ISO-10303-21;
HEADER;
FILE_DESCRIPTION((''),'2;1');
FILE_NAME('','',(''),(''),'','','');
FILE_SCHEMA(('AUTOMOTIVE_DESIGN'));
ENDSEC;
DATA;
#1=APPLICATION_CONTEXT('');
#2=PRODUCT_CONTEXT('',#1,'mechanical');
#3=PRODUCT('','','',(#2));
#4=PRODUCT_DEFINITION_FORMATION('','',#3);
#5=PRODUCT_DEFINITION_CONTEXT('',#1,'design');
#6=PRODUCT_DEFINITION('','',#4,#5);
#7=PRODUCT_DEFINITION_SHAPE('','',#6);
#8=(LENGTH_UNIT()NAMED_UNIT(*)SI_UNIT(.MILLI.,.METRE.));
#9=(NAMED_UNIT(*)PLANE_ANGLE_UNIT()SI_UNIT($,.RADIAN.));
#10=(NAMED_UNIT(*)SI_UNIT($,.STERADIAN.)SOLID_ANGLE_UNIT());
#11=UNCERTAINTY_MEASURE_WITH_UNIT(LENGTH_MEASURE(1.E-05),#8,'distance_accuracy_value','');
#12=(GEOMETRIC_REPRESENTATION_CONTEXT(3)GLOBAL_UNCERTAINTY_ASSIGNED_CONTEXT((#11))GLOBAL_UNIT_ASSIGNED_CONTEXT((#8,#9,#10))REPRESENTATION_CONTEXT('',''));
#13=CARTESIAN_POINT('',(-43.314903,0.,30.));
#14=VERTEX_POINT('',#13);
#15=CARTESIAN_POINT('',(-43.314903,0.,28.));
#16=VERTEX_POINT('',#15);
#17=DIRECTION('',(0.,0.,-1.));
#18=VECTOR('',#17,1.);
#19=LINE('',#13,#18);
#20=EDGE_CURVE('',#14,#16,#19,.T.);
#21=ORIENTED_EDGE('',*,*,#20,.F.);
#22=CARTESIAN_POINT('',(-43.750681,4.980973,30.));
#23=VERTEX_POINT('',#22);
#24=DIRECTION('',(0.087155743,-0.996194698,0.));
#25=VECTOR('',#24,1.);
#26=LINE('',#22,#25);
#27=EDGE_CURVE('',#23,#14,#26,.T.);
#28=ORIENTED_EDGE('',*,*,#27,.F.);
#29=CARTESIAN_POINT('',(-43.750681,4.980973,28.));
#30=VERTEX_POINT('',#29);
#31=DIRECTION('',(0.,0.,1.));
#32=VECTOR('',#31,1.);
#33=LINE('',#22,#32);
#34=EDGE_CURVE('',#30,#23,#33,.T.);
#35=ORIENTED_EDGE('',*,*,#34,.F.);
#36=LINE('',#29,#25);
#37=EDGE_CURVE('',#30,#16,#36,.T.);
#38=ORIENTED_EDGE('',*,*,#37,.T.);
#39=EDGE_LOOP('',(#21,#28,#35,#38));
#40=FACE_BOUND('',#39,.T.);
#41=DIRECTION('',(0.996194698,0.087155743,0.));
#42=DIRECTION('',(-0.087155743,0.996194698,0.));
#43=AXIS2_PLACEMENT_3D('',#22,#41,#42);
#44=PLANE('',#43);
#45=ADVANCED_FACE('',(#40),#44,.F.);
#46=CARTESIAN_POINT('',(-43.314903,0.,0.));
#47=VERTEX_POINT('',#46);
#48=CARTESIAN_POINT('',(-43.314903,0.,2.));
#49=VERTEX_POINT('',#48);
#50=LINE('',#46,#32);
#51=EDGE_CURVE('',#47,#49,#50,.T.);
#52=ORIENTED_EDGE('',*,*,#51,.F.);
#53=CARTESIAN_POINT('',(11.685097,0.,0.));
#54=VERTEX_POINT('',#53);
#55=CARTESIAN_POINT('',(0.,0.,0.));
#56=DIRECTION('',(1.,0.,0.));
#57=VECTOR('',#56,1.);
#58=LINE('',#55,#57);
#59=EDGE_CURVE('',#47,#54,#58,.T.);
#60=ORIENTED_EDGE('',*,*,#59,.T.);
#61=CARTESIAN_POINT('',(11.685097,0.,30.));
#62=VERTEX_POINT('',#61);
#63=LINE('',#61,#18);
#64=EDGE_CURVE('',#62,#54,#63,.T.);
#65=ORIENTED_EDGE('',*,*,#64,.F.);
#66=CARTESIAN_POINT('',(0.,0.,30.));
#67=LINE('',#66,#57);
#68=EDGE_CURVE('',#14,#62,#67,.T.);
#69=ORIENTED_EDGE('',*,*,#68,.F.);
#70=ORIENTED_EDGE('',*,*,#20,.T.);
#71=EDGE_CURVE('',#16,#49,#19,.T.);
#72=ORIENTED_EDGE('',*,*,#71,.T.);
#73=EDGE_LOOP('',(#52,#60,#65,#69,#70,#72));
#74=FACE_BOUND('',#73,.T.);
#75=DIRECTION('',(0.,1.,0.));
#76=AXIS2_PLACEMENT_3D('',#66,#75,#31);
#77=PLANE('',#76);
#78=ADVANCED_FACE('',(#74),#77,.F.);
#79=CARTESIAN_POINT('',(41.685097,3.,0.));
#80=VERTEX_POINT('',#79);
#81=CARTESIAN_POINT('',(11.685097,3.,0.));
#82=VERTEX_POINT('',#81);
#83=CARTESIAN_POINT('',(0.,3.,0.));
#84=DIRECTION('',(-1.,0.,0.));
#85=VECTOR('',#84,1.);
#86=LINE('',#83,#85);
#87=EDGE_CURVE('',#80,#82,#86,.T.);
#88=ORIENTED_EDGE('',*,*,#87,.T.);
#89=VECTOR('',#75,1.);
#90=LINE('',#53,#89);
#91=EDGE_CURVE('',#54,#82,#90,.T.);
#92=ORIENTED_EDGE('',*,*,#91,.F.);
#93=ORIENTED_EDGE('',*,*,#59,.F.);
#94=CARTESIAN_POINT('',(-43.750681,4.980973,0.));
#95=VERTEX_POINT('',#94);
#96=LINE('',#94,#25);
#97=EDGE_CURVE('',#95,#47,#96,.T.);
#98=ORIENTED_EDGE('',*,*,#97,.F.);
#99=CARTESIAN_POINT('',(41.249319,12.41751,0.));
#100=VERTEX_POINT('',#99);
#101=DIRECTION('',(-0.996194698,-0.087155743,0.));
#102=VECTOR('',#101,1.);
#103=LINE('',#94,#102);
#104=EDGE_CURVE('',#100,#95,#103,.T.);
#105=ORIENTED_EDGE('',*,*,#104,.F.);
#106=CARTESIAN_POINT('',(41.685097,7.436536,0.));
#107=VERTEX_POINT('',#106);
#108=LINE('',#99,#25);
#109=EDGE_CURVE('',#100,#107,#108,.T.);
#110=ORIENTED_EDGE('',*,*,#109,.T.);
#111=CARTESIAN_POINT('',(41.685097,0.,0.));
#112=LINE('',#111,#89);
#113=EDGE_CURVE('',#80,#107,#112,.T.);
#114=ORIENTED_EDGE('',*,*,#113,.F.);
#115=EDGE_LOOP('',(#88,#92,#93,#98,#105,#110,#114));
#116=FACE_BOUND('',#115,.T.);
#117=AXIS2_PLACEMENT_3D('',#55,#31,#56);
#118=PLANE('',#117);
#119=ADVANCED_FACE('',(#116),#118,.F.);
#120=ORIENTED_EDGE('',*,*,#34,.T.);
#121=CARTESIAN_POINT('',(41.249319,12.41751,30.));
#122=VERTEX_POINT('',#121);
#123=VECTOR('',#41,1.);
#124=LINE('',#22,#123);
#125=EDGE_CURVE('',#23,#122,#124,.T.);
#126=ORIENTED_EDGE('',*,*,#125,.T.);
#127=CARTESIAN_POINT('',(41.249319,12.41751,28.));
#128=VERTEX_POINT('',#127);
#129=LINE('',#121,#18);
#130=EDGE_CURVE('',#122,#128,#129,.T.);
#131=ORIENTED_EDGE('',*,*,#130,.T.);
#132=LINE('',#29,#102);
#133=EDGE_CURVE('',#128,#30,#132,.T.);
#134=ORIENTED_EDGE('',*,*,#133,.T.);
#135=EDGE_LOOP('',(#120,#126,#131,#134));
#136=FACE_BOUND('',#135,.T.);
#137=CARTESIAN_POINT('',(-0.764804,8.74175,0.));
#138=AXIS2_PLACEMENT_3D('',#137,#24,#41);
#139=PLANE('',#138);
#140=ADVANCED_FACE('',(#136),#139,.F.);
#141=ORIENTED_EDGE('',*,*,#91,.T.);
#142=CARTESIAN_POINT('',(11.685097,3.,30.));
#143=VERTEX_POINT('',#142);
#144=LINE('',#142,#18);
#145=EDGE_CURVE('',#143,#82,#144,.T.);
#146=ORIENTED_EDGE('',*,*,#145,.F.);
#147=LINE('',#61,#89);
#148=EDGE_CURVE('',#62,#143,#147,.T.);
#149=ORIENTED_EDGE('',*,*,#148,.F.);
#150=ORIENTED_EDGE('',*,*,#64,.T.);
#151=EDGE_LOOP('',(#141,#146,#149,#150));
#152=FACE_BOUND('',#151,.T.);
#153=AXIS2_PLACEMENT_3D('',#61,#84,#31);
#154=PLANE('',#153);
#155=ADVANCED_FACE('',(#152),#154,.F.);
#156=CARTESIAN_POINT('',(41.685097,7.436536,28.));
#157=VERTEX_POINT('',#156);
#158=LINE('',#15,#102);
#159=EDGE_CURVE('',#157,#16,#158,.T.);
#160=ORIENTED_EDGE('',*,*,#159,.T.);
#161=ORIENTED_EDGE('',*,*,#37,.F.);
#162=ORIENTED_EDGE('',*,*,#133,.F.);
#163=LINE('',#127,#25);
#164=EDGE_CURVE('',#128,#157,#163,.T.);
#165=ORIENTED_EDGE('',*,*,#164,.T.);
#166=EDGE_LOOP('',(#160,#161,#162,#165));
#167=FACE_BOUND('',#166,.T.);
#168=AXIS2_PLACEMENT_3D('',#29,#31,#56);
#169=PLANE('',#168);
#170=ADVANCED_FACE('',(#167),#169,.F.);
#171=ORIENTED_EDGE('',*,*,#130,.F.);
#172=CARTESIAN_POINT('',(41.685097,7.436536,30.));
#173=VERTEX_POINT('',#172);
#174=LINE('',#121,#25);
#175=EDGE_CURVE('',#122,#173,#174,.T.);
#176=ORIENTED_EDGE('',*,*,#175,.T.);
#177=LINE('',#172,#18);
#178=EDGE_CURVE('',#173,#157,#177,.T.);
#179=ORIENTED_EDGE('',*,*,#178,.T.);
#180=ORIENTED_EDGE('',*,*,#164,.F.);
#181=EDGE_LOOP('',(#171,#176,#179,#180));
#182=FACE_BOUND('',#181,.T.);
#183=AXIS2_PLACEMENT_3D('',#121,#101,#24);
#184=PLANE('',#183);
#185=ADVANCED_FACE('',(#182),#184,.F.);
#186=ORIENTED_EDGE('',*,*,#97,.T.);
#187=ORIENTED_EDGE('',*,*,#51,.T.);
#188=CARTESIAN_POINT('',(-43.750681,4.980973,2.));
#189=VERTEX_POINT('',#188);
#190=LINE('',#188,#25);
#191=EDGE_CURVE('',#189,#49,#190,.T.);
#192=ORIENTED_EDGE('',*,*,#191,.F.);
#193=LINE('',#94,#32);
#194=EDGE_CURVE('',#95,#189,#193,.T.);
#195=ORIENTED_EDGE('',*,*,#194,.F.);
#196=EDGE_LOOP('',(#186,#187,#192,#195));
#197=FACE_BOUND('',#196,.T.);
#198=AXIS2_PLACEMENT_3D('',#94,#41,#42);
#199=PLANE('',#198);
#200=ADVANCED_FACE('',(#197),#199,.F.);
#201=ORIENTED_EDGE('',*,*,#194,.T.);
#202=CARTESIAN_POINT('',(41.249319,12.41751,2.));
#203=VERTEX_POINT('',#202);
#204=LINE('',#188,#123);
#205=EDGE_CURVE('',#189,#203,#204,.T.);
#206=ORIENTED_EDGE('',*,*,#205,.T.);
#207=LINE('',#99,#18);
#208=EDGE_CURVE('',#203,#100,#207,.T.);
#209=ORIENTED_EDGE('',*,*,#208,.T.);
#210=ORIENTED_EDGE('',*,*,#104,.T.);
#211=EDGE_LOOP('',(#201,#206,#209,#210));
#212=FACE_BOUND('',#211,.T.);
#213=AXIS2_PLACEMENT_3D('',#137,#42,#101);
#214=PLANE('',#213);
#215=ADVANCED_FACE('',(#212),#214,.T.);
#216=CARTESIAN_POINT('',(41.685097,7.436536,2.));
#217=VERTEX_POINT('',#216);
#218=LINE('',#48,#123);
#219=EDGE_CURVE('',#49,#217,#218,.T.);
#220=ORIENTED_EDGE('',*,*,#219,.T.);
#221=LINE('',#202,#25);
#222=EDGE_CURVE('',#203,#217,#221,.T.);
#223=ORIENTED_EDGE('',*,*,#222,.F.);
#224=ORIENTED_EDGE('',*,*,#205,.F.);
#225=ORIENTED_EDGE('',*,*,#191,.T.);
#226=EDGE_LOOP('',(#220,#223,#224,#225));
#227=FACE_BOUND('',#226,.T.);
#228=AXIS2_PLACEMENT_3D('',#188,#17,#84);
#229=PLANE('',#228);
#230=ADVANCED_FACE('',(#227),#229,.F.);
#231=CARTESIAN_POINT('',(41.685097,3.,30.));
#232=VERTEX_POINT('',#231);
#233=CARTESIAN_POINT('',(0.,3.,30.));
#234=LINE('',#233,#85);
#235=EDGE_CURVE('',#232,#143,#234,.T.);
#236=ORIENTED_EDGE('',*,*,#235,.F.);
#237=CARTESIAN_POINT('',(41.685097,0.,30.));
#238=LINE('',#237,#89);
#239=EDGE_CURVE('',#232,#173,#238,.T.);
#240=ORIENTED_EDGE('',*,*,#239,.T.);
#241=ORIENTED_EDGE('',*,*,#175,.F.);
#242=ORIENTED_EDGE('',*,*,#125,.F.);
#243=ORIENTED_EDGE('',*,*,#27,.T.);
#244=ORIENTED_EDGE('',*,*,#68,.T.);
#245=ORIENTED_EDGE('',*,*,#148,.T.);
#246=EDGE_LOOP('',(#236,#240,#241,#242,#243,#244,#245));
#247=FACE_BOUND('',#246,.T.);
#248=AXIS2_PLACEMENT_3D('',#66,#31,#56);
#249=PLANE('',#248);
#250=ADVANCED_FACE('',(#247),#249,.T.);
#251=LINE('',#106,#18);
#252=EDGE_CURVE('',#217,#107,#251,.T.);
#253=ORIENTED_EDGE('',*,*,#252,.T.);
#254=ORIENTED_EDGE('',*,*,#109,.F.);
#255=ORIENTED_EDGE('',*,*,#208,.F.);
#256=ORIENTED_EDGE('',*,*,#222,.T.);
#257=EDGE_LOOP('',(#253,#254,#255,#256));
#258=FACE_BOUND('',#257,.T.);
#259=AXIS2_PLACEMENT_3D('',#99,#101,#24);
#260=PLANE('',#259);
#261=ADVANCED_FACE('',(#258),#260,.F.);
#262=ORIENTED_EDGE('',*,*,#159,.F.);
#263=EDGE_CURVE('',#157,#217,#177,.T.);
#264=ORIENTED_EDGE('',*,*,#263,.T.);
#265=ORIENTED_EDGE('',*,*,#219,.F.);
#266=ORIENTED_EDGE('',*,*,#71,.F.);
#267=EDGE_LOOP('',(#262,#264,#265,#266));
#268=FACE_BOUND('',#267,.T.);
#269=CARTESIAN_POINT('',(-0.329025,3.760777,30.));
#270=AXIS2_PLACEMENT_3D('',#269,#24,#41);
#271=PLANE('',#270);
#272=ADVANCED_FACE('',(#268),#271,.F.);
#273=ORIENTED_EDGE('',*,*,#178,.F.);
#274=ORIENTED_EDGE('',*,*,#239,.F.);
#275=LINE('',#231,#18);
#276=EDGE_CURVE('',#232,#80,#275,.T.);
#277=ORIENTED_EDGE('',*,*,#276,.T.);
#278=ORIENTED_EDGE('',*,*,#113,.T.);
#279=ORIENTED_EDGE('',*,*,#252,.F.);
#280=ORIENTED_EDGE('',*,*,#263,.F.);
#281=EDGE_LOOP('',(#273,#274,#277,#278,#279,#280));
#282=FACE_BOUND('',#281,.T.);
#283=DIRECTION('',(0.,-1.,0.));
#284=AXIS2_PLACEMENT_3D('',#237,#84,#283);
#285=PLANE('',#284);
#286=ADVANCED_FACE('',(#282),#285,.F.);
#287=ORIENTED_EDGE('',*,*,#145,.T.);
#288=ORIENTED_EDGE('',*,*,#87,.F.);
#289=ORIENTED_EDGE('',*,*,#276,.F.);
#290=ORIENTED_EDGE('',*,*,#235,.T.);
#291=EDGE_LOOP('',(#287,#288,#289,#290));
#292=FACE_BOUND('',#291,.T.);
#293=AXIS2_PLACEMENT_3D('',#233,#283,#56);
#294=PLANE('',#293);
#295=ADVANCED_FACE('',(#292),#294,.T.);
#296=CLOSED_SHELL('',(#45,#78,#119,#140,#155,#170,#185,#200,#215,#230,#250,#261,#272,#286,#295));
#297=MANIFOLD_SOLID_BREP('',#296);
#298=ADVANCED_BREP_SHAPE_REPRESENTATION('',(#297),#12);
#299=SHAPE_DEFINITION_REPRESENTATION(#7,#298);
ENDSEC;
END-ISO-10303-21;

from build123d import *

# Parameters (mm, degrees)
BOSS_EXTRUDE1_DEPTH = 30
SKETCH2_W           = 85.324686191
SKETCH2_H           = 2
BOSS_EXTRUDE2_DEPTH = 5


with BuildPart() as part:
    # Sketch1 → Boss-Extrude1 (new body)
    with BuildSketch(Plane.XY):
        Polygon((41.685097369, 7.4365364), (-43.314902631, 0), (11.685097369, 0), (11.685097369, 3), (41.685097369, 3), align=None)
    extrude(amount=BOSS_EXTRUDE1_DEPTH)

    # Sketch2 → Boss-Extrude2 (add)
    with BuildSketch(Plane(origin=(-0.32902535, 3.760776954, 0), x_dir=(0.9961946980917462, 0.08715574274765156, 0), z_dir=(-0.08715574274765156, 0.9961946980917462, 0))):
        with Locations((-0.487733254, -29)):
            Rectangle(SKETCH2_W, SKETCH2_H)
        with Locations((-0.487733254, -1)):
            Rectangle(SKETCH2_W, SKETCH2_H)
    extrude(amount=BOSS_EXTRUDE2_DEPTH)


solid = part.part
